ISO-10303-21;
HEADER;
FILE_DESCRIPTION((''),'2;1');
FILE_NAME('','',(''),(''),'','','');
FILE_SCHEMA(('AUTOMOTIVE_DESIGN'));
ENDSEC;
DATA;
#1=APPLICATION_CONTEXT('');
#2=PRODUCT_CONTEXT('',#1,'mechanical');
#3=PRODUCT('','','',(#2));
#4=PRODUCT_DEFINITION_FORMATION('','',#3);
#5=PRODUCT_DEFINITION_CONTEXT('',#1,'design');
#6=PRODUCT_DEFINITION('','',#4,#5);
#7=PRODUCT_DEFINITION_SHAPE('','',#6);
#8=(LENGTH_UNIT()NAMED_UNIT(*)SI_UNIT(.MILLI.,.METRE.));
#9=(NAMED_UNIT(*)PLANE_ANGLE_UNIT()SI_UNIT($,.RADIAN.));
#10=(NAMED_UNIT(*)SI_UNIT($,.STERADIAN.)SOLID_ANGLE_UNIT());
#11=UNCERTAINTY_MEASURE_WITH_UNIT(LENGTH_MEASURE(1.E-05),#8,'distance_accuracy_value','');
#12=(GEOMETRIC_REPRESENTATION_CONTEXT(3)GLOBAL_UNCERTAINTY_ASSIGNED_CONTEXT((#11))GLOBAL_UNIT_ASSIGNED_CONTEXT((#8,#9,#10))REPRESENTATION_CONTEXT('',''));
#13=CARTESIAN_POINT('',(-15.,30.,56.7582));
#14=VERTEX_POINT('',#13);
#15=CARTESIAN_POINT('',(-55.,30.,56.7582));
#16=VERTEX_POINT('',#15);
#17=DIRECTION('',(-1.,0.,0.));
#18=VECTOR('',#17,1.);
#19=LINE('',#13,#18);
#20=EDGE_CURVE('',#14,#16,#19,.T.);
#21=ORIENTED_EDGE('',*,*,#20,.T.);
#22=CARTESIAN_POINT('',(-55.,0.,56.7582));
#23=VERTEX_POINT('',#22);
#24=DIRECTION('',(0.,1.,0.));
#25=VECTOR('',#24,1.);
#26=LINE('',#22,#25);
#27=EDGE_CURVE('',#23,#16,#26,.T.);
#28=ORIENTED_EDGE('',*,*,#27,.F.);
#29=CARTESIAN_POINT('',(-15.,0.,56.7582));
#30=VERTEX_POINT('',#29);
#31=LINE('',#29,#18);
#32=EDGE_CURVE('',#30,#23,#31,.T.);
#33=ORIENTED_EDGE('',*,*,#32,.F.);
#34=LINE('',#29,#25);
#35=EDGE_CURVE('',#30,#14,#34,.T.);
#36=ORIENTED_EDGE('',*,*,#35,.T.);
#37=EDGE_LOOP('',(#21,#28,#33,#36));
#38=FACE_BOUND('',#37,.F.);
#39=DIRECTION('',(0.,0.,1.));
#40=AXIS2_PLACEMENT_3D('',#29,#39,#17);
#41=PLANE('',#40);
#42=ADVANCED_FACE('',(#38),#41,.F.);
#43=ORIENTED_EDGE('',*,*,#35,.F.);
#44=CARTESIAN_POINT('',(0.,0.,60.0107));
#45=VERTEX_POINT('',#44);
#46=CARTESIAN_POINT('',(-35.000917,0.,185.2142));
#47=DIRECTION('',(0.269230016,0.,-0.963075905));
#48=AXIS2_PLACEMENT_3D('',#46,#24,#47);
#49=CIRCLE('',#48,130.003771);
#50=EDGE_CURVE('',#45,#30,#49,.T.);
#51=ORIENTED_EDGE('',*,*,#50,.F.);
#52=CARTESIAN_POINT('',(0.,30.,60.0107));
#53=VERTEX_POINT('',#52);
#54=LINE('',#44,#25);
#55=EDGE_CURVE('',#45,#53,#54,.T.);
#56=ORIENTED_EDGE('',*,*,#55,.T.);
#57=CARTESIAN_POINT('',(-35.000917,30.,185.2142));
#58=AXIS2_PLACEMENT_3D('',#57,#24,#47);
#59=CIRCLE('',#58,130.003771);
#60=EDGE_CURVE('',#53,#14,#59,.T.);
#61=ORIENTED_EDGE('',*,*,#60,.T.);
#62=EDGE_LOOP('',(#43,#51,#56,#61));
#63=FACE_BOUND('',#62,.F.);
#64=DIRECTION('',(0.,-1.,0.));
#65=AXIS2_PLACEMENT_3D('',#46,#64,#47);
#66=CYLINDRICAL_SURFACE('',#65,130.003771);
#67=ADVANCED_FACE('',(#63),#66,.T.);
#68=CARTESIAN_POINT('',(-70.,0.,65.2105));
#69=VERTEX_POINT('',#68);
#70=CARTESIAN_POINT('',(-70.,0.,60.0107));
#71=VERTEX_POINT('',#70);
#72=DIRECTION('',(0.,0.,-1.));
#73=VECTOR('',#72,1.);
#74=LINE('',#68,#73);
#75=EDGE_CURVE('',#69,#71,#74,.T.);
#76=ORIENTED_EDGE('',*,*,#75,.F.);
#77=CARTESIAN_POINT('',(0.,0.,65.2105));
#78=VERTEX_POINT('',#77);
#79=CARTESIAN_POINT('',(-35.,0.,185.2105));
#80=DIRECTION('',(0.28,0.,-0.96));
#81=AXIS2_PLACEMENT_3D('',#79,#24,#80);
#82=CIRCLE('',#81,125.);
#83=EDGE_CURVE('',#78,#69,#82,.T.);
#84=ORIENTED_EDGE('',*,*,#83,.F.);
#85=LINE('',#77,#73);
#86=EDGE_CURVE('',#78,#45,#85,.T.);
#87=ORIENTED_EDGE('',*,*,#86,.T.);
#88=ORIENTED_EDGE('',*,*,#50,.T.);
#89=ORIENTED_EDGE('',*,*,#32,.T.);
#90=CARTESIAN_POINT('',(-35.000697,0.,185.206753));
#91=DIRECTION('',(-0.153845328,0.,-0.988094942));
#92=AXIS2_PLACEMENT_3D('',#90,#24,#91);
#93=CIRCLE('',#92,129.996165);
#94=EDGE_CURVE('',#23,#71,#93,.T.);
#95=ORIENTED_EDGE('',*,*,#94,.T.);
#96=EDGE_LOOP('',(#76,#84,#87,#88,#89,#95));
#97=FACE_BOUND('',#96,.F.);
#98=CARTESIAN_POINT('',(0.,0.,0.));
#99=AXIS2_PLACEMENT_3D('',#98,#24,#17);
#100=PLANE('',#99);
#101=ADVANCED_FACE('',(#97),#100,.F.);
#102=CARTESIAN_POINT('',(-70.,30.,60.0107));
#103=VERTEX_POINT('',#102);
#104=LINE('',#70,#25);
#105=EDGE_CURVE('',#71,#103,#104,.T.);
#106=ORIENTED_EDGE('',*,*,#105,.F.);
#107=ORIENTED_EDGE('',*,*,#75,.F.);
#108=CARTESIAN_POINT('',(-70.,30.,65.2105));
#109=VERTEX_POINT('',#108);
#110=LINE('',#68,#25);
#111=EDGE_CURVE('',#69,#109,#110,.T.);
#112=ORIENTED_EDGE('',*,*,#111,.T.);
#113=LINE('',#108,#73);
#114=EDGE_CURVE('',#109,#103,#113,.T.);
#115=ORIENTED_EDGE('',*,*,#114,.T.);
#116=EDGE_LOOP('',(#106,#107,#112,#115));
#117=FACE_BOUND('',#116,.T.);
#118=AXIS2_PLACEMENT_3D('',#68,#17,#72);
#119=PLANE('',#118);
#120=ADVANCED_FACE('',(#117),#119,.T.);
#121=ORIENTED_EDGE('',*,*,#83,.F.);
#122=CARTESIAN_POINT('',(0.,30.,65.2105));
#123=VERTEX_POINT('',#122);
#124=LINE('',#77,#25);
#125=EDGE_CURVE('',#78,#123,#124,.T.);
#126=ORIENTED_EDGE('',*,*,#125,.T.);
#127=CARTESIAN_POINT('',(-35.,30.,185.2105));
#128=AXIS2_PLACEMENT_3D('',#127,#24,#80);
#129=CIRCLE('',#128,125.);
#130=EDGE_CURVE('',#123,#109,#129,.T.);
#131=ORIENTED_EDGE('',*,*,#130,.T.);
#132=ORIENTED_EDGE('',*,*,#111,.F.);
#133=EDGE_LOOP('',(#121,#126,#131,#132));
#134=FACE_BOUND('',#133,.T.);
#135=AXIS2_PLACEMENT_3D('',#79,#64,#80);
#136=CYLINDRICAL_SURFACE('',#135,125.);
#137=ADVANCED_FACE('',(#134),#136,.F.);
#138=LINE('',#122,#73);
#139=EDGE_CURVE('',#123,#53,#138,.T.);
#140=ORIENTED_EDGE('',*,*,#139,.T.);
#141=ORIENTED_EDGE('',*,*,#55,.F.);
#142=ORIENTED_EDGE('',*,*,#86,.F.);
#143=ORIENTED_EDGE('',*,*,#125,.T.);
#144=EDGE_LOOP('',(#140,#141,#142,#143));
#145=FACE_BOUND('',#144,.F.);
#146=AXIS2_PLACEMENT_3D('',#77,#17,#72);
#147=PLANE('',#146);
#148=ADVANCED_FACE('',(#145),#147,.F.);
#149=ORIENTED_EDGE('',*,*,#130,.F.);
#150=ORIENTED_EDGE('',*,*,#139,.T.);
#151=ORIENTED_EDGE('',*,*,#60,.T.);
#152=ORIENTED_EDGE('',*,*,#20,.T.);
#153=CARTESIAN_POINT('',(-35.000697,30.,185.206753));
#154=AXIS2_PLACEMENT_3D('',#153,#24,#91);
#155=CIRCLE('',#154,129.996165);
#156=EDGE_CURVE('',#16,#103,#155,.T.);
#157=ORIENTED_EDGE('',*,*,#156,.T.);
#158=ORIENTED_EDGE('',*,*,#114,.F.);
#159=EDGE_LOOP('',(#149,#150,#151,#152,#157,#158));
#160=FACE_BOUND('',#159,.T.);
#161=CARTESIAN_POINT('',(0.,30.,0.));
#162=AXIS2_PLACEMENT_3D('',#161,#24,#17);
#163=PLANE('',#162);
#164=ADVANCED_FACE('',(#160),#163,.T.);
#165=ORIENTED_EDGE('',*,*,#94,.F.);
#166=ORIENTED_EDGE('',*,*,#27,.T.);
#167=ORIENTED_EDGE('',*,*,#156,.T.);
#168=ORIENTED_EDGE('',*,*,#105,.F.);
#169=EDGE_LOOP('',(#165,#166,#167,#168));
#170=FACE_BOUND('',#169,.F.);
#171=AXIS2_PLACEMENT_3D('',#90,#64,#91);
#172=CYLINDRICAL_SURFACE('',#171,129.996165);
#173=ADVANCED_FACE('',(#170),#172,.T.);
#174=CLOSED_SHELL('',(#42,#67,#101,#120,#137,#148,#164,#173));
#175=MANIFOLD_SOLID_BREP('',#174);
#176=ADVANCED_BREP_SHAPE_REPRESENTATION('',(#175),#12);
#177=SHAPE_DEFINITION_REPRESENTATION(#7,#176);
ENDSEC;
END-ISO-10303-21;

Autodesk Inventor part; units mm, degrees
ref_plane "YZ Plane" through (0, 0, 0) normal (1, 0, 0) x (0, 1, 0)
ref_plane "XZ Plane" through (0, 0, 0) normal (0, 1, 0) x (-1, 0, 0)
ref_plane "XY Plane" through (0, 0, 0) normal (0, 0, 1) x (1, 0, 0)
sketch "Sketch1" plane through (0, 0, 0) normal (0, 1, 0) x (-1, 0, 0)
  arc A0 (0, 65.2105) -> (70, 65.2105) centre (35, 185.2105) ccw
  line L0 (70, 65.2105) -> (70, 60.0107)
  line L1 (0, 65.2105) -> (0, 60.0107)
  line L2 (15, 56.7582) -> (55, 56.7582)
  arc A1 (0, 60.0107) -> (15, 56.7582) centre (35, 185.2105) ccw
  arc A2 (55, 56.7582) -> (70, 60.0107) centre (35, 185.2105) ccw
  point P0 (0, 0)
  point P1 (35, 60.2105)
  dimension "d0" = 70
  dimension "d1" = 35
  dimension "d2" = 5
  dimension "d4" = 40
extrude "Extrusion1" add sketch "Sketch1" along normal blind 30
properties part number "TV"
